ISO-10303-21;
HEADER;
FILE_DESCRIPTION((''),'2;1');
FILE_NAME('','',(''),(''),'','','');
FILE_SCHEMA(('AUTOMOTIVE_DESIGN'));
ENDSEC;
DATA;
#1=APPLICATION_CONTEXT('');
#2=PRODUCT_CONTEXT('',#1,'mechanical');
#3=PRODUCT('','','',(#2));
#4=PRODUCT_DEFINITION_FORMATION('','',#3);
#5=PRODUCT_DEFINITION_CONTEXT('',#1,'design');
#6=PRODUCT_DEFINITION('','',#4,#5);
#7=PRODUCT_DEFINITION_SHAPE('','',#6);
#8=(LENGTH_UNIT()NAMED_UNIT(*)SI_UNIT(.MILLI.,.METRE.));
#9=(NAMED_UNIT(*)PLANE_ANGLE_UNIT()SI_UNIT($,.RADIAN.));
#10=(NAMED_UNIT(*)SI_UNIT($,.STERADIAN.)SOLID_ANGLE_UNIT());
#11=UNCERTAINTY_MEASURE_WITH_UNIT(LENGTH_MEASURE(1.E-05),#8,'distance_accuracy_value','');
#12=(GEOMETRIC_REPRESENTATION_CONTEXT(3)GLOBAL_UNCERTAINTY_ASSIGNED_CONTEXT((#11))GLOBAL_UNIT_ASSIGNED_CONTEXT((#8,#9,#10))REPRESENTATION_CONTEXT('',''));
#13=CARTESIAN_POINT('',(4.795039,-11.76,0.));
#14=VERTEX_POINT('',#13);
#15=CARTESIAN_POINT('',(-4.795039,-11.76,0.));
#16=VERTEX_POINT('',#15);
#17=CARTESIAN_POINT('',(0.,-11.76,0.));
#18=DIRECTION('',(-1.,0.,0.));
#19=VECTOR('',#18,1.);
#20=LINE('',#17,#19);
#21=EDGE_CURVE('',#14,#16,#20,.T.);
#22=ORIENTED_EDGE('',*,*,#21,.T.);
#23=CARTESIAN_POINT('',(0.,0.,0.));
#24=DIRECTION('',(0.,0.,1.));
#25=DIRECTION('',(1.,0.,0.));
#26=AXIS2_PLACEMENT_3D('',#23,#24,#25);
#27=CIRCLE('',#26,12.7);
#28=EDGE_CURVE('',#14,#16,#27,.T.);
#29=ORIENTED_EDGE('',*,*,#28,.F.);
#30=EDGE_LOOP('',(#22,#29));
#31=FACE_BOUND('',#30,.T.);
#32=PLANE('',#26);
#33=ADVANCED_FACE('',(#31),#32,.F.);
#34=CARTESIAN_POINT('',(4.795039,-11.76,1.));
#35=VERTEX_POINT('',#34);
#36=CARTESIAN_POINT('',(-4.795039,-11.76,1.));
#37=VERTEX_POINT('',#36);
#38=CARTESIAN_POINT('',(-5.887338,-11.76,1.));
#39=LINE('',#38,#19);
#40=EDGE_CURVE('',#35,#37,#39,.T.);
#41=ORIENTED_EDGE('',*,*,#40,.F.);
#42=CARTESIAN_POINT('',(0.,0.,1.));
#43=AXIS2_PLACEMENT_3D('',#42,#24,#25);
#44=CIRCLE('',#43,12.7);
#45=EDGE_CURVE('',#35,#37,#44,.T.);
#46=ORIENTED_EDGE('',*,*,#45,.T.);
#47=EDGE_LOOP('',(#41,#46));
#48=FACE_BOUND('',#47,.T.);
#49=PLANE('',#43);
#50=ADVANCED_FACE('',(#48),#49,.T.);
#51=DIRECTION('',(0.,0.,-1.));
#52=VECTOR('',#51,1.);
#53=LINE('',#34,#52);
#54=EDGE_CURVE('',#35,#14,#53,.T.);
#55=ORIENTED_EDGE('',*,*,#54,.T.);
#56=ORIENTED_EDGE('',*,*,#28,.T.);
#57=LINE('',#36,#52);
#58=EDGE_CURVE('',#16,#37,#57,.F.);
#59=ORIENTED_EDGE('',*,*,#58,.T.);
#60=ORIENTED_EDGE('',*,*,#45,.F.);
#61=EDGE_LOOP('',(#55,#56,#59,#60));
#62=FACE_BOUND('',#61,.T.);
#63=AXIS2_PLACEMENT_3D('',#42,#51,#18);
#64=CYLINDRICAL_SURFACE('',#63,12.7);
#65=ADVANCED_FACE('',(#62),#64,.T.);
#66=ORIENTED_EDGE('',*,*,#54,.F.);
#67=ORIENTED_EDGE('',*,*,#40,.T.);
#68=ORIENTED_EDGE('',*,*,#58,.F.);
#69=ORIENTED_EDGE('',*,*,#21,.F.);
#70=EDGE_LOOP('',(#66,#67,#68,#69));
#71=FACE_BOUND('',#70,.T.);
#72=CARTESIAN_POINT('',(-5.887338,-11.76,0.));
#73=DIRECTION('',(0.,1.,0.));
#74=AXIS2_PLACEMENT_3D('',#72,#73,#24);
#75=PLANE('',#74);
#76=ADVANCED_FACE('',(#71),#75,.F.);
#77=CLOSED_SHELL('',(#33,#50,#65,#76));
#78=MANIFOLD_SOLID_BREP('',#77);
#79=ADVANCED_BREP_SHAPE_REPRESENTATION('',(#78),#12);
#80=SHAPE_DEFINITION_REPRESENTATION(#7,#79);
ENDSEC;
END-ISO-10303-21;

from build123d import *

# Parameters (mm, degrees)
SKETCH_1_R          = 12.7
EXTRUDE_1_DEPTH     = 1
SKETCH_2_W          = 13.590670976
SKETCH_2_H          = 1.925848739
CUT_EXTRUDE_1_DEPTH = 2


with BuildPart() as part:
    # 草图1 → 凸台-拉伸1 (new body)
    with BuildSketch(Plane.XY):
        Circle(SKETCH_1_R)
    extrude(amount=EXTRUDE_1_DEPTH)

    # 草图2 → 切除-拉伸1 (cut, through all)
    with BuildSketch(Plane.XY.offset(1)):
        with Locations((0.907997414, -12.72292437)):
            Rectangle(SKETCH_2_W, SKETCH_2_H)
    extrude(amount=-CUT_EXTRUDE_1_DEPTH, mode=Mode.SUBTRACT)


solid = part.part
